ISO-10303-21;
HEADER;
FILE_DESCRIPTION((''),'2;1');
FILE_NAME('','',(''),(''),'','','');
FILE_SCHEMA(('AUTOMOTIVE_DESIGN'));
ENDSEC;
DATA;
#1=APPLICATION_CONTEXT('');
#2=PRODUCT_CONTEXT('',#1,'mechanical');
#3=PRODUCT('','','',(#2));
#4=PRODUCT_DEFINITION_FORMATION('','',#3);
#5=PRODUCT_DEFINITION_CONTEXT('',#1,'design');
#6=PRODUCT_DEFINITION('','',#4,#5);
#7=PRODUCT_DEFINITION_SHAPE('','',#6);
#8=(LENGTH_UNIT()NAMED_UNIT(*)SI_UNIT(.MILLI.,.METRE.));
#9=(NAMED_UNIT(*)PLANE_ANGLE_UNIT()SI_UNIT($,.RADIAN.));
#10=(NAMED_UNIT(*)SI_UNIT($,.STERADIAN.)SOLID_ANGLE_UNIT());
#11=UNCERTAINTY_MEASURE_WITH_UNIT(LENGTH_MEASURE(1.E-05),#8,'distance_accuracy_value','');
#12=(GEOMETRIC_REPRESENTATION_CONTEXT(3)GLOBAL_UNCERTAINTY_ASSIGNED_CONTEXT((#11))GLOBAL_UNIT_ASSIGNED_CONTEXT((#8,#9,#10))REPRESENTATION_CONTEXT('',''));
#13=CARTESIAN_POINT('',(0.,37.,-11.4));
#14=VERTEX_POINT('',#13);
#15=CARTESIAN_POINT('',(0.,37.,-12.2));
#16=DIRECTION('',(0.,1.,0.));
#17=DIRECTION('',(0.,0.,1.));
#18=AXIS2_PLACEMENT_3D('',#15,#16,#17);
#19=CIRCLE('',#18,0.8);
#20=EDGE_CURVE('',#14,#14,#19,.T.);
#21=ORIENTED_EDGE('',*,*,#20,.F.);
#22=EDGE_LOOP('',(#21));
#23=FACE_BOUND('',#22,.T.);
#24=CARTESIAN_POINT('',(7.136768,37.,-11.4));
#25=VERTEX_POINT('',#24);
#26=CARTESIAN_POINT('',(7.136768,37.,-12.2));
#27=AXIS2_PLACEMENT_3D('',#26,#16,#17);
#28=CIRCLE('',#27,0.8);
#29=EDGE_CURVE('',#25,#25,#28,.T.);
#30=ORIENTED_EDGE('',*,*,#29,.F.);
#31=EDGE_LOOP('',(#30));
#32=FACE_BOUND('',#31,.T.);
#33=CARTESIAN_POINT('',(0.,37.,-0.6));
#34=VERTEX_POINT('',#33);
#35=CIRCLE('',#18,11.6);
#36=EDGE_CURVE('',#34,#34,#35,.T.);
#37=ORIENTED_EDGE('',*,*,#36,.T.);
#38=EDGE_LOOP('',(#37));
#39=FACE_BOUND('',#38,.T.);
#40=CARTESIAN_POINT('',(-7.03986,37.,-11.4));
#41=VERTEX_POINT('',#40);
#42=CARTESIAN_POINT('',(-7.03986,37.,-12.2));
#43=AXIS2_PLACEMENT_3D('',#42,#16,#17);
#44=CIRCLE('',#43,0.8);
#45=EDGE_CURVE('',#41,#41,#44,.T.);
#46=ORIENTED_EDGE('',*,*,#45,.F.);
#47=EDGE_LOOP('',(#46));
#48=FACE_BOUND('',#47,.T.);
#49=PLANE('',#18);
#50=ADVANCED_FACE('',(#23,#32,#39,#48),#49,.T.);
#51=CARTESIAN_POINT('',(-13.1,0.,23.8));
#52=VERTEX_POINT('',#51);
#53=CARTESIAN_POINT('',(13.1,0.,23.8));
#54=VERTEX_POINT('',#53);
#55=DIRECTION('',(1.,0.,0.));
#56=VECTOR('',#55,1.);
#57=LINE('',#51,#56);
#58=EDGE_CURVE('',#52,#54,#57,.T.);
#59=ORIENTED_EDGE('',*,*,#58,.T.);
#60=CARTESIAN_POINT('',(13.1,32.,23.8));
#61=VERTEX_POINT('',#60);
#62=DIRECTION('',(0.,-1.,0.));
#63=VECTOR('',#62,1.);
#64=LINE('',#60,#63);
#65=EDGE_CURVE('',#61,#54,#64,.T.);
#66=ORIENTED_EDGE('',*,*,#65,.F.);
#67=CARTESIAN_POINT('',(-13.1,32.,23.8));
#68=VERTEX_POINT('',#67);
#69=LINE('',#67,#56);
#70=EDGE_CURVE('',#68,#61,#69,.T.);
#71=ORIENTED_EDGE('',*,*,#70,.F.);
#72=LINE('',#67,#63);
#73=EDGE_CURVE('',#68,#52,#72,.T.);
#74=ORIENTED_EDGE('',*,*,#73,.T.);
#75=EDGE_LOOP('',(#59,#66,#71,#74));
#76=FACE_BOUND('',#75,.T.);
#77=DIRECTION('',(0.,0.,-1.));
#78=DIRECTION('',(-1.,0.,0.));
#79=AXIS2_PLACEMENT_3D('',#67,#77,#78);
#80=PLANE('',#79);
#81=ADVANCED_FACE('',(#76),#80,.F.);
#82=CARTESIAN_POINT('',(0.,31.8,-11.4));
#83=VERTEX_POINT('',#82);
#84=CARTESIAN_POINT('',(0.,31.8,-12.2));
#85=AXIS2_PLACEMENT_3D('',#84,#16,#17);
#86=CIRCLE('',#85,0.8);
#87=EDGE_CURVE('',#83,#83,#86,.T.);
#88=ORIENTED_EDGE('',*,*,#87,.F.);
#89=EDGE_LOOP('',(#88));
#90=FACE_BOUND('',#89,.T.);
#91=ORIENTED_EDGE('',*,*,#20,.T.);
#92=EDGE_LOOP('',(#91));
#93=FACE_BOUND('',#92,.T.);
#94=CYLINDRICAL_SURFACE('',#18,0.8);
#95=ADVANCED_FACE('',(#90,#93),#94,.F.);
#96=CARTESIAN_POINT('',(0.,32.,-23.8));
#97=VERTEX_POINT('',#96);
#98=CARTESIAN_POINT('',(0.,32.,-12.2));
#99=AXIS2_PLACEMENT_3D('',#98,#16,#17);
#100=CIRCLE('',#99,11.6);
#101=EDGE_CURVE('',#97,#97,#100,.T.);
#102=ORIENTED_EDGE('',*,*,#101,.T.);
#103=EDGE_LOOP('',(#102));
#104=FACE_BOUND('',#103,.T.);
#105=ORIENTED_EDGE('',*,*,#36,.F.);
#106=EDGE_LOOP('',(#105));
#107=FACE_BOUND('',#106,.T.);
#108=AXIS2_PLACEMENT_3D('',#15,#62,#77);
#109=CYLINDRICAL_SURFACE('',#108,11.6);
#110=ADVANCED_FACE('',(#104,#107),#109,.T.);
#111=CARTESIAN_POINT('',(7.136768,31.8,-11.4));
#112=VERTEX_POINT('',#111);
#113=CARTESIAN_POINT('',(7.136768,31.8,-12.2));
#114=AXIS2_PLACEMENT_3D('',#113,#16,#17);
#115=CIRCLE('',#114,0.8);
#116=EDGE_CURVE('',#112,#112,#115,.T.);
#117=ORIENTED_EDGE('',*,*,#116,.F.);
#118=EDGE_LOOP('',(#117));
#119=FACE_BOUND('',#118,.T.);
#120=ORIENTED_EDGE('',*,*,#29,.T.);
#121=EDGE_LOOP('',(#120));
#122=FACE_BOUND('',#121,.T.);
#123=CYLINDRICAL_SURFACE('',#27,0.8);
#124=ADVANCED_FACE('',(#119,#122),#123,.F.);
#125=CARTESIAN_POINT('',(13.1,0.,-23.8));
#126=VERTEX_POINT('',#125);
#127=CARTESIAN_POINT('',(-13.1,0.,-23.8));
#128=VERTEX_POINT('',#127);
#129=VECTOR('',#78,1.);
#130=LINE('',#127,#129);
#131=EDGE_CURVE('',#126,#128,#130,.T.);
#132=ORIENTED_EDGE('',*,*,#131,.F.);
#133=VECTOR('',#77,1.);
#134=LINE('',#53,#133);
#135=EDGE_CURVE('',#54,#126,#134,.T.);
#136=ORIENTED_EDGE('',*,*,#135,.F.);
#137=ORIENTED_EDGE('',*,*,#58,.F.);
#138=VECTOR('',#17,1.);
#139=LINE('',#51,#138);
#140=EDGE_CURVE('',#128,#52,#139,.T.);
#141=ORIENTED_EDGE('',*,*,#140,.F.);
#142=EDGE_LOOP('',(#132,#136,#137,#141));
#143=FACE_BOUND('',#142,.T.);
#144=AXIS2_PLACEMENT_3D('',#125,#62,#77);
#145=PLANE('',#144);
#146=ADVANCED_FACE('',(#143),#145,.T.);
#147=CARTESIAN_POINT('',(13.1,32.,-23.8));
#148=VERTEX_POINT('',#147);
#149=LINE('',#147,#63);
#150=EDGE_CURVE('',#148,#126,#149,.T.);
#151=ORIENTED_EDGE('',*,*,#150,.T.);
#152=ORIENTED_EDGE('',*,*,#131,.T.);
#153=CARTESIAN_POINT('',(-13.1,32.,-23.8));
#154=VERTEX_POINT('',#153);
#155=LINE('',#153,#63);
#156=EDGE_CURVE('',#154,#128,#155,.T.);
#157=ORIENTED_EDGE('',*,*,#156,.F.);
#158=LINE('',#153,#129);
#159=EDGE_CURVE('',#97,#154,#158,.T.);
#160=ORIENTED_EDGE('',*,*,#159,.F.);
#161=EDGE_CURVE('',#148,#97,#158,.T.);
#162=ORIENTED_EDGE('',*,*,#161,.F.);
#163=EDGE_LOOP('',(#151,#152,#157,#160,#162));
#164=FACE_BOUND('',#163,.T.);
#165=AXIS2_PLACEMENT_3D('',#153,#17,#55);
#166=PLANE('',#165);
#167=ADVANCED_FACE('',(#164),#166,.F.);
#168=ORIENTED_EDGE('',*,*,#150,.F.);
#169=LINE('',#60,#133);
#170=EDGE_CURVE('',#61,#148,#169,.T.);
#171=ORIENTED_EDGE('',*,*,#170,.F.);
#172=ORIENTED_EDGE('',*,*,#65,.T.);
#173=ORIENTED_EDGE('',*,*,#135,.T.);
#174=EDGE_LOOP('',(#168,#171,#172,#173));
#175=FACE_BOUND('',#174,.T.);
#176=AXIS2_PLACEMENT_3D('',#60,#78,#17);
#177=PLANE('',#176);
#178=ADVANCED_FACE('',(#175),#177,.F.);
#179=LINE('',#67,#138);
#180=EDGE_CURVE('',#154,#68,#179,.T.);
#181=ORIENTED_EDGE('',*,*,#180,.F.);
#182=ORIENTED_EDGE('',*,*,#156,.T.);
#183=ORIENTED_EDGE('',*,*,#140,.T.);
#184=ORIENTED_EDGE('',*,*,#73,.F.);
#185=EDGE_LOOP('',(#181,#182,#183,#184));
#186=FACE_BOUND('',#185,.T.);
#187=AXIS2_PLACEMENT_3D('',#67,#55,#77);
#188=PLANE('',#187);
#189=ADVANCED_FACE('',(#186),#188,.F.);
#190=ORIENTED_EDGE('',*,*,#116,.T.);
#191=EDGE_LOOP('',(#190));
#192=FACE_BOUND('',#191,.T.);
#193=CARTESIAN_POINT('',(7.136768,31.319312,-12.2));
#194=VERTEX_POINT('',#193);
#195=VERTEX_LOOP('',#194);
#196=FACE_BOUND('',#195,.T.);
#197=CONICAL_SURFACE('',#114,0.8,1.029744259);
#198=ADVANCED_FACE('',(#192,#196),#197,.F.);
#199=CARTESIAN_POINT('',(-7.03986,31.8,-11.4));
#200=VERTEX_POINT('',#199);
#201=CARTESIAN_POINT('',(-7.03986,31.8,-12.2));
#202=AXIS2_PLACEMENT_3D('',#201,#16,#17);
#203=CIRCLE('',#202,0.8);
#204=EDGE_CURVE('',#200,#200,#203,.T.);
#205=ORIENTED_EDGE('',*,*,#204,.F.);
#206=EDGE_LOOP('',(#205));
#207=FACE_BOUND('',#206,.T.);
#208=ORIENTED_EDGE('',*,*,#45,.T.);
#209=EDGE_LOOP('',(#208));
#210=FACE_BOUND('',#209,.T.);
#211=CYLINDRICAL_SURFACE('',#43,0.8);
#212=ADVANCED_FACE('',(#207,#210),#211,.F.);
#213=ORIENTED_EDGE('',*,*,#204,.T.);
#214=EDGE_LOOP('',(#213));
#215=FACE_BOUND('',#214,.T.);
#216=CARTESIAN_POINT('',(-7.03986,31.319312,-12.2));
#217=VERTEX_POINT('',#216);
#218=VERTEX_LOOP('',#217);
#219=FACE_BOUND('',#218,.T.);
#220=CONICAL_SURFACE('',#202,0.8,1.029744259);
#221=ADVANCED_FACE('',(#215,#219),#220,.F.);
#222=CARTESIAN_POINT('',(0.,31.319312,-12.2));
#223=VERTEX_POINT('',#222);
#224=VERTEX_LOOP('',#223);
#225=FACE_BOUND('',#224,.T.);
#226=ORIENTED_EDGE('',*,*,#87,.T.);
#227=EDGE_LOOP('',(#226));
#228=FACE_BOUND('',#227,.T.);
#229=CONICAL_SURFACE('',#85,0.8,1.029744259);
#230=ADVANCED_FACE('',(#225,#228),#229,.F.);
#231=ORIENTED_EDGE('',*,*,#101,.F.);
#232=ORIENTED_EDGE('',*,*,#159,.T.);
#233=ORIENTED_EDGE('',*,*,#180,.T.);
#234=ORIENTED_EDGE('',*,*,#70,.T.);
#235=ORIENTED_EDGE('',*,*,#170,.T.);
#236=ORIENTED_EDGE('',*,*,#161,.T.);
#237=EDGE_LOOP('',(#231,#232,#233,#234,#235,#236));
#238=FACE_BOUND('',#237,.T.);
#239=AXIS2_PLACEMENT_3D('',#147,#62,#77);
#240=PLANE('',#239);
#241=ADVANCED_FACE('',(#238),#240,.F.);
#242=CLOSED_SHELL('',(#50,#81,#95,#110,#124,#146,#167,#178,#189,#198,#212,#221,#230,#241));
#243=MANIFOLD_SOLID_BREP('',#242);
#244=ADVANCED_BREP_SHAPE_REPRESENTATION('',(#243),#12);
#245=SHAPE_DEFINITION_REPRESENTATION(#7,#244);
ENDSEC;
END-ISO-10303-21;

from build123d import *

# Parameters (mm, degrees)
SKETCH1_W                 = 26.2
SKETCH1_H                 = 47.6
BOSS_EXTRUDE1_DEPTH       = 32
SKETCH2_R                 = 11.6
BOSS_EXTRUDE2_DEPTH       = 5
M2X0_4_TAPPED_HOLE1_D     = 1.6
M2X0_4_TAPPED_HOLE1_DEPTH = 5.2
M2X0_4_TAPPED_HOLE1_TIP   = 0.480688495


with BuildPart() as part:
    # Sketch1 → Boss-Extrude1 (new body)
    with BuildSketch(Plane(origin=(0, 0, 0), x_dir=(1, 0, 0), z_dir=(0, 1, 0))):
        Rectangle(SKETCH1_W, SKETCH1_H)
    extrude(amount=BOSS_EXTRUDE1_DEPTH)

    # Sketch2 → Boss-Extrude2 (add)
    with BuildSketch(Plane(origin=(0, 32, 0), x_dir=(-1, 0, 0), z_dir=(0, 1, 0))):
        with Locations(Location((0, -12.2, 0), (0, 0, 270))):
            Circle(SKETCH2_R)
    extrude(amount=BOSS_EXTRUDE2_DEPTH)

    # M2x0.4 Tapped Hole1
    with Locations(Plane(origin=(0, 37, -12.2), x_dir=(0, 0, 1), z_dir=(0, 1, 0))):
        with Locations((0, 0), (0, -7.039859919), (0, 7.136767925)):
            Hole(M2X0_4_TAPPED_HOLE1_D / 2, depth=M2X0_4_TAPPED_HOLE1_DEPTH)
            with Locations((0, 0, -(M2X0_4_TAPPED_HOLE1_DEPTH + M2X0_4_TAPPED_HOLE1_TIP / 2))):  # 118° drill point
                Cone(0, M2X0_4_TAPPED_HOLE1_D / 2, M2X0_4_TAPPED_HOLE1_TIP, mode=Mode.SUBTRACT)


solid = part.part
